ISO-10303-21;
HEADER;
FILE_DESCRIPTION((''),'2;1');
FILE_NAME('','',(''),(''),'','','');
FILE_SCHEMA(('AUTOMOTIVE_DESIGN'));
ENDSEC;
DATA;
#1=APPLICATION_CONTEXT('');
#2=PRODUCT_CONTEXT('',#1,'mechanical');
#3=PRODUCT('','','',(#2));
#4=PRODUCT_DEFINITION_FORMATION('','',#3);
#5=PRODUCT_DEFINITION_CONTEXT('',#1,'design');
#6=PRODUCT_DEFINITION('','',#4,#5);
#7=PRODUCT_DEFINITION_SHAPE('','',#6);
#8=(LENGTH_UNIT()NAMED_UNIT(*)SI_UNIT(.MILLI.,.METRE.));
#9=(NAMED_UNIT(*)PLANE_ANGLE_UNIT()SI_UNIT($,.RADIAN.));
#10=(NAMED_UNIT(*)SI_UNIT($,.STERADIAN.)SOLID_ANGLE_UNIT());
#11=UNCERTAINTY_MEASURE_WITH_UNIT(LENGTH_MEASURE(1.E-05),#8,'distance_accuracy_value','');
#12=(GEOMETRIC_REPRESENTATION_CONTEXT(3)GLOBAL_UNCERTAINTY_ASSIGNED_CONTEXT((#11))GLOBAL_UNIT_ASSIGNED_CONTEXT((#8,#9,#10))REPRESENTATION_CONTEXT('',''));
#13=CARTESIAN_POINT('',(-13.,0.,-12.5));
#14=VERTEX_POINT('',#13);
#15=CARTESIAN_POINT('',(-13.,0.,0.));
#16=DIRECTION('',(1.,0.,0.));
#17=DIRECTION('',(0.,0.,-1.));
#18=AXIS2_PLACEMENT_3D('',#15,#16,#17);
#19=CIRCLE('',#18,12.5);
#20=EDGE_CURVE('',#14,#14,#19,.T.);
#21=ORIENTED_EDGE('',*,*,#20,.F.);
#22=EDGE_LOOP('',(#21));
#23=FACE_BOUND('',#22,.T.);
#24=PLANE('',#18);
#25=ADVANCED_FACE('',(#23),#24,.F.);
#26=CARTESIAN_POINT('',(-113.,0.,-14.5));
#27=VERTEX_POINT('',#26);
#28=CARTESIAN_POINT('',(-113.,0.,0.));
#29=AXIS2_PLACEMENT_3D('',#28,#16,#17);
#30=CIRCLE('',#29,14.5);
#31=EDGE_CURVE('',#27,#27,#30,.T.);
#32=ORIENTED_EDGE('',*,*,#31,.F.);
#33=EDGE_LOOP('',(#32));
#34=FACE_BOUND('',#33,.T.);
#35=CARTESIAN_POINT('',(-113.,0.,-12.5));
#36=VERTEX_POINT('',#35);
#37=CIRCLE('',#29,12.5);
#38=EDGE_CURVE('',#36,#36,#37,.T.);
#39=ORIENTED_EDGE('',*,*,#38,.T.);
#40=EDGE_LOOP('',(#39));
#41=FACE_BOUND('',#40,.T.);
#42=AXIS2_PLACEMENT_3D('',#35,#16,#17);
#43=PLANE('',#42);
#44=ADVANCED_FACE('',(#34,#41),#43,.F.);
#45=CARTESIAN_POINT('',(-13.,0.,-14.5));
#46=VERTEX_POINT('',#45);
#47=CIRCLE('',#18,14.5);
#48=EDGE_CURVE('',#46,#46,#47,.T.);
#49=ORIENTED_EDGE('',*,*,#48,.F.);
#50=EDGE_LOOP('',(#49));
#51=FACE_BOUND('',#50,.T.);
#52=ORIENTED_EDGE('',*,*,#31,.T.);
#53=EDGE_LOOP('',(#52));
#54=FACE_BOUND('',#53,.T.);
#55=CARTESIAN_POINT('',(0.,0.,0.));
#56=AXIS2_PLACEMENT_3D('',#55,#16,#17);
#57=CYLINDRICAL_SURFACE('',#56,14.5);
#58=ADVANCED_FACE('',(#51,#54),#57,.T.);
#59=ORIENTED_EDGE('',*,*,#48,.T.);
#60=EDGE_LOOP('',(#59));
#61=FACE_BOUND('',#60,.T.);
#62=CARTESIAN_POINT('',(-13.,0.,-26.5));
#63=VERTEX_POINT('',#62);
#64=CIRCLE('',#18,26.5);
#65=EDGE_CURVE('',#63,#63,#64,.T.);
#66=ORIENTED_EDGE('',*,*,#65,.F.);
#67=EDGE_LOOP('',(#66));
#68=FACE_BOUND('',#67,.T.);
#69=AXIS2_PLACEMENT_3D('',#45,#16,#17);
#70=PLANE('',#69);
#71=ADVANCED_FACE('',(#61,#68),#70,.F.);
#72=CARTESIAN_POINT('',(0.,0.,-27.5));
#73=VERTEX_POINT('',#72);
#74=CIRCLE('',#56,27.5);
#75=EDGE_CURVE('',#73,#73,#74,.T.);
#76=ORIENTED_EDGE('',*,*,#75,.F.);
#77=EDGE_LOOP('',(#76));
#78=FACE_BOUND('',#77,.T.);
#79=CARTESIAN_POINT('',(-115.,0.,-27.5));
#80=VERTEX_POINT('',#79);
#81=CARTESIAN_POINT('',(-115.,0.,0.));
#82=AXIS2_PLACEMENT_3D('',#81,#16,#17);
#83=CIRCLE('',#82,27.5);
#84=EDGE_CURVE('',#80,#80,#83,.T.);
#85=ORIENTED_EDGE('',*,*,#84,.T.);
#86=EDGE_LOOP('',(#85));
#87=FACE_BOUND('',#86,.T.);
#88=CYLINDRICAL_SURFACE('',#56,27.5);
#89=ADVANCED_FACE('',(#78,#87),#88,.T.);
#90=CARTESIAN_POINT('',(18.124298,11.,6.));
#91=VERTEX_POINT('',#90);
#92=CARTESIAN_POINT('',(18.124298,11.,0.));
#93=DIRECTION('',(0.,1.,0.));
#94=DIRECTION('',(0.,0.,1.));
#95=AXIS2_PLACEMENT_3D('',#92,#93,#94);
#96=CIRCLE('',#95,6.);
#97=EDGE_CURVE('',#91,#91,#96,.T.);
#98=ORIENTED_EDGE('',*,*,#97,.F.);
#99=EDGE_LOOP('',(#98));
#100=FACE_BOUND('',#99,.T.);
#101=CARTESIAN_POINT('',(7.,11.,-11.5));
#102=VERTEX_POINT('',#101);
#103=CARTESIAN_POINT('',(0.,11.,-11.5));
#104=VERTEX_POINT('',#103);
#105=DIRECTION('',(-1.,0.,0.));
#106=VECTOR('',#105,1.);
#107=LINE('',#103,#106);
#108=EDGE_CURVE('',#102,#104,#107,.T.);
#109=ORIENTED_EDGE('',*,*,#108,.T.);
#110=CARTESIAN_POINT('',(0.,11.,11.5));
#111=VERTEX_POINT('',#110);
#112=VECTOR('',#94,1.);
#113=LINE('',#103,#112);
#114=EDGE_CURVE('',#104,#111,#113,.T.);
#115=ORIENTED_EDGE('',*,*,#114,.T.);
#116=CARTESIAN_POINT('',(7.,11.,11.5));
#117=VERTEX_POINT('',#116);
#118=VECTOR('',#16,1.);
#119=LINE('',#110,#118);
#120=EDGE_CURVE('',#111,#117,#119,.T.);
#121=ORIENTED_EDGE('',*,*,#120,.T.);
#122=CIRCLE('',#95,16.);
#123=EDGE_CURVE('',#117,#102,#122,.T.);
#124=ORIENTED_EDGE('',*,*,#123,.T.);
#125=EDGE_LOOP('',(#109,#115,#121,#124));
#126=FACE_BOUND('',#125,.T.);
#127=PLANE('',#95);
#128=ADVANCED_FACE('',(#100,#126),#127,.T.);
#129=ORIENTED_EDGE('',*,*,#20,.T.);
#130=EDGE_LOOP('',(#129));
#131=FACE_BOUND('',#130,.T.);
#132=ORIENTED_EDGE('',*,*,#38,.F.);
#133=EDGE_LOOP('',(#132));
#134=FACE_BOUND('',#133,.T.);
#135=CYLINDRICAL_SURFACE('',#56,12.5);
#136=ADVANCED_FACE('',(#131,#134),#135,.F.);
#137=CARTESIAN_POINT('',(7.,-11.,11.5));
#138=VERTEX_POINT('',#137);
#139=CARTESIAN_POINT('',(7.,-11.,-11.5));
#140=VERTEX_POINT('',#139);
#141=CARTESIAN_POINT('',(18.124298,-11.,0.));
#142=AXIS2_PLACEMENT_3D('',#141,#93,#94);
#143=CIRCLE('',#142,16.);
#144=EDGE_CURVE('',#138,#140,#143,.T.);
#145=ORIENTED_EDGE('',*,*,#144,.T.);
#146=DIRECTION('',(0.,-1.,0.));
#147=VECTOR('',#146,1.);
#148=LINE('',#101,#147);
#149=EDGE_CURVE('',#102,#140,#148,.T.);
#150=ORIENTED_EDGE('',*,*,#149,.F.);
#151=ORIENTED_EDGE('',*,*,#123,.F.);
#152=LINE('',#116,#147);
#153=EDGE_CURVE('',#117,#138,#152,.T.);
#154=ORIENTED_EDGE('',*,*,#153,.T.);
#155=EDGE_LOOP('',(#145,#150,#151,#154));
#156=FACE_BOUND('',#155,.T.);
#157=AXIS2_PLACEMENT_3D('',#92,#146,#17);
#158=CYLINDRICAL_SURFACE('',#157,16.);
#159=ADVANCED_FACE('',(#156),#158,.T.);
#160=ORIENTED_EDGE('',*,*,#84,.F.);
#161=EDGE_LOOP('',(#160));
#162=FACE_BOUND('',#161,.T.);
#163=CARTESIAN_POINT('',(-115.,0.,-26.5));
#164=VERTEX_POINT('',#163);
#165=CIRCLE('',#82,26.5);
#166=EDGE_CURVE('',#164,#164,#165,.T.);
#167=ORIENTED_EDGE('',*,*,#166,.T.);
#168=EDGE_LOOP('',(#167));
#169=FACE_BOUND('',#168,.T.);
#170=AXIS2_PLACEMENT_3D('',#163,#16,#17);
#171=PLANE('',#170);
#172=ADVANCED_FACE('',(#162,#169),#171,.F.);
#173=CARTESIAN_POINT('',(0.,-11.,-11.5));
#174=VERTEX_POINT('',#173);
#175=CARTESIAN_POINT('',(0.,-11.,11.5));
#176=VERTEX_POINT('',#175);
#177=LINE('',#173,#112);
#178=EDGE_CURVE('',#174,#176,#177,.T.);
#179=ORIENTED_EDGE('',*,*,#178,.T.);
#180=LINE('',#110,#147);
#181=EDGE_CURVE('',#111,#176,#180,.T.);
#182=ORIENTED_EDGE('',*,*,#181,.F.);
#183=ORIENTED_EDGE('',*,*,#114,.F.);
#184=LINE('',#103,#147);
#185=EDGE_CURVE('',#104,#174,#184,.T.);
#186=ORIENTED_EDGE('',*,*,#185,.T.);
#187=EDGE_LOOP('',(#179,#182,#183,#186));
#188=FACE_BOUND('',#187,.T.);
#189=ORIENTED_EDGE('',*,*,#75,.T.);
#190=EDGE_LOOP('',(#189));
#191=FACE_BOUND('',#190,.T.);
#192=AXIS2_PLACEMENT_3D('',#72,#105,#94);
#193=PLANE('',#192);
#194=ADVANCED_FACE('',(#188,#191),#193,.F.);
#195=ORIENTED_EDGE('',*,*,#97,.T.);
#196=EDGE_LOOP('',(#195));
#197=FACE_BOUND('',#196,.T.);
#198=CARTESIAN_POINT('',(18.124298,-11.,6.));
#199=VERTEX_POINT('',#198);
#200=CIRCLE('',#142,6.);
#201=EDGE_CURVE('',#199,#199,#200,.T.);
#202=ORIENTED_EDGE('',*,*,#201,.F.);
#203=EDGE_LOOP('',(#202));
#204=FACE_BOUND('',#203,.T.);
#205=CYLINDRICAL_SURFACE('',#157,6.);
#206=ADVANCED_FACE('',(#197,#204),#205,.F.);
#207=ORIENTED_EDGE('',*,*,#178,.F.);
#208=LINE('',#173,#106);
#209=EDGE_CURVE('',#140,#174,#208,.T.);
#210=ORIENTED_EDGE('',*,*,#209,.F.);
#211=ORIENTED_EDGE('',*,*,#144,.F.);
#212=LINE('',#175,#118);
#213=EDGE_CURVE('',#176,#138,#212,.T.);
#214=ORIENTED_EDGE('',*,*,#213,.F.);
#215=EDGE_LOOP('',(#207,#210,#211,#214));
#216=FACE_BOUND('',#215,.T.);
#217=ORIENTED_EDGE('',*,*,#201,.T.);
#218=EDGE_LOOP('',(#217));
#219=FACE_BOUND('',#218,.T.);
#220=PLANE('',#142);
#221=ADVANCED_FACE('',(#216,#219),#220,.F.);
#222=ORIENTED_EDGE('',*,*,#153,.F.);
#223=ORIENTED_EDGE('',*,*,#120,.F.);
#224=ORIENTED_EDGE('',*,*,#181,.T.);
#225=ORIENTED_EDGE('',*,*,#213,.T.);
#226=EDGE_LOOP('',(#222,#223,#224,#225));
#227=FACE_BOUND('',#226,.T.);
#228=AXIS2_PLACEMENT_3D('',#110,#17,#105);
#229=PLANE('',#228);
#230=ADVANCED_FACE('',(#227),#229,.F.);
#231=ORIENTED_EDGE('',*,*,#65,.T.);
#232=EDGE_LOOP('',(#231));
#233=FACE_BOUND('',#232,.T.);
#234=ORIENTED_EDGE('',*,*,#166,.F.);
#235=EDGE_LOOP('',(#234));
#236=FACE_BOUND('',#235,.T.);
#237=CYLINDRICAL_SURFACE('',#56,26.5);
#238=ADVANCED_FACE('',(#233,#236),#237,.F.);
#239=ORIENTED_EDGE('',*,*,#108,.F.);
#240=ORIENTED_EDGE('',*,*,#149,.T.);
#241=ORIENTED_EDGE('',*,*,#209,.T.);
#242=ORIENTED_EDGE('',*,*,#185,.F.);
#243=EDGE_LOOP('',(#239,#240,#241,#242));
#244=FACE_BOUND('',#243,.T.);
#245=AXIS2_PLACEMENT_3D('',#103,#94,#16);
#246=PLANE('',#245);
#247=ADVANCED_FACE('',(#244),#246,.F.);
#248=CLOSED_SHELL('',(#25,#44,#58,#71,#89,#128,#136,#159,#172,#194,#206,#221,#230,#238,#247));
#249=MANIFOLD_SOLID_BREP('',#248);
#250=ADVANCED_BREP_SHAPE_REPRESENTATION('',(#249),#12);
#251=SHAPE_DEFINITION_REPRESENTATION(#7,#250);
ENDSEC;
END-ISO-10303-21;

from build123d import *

# Parameters (mm, degrees)
SKETCH2_R           = 6
BOSS_EXTRUDE1_DEPTH = 11


with BuildPart() as part:
    # Sketch1 → Revolve1 (revolve)
    with BuildSketch(Plane(origin=(0, 0, 0), x_dir=(1, 0, 0), z_dir=(0, 1, 0))):
        Polygon((0, 0), (-13, 0), (-13, 12.5), (-113, 12.5), (-113, 14.5), (-13, 14.5), (-13, 26.5), (-115, 26.5), (-115, 27.5), (0, 27.5), align=None)
    revolve(axis=Axis((0, 0, 0), (-1, 0, 0)))

    # Sketch2 → Boss-Extrude1 (add, symmetric)
    with BuildSketch(Plane(origin=(0, 0, 0), x_dir=(1, 0, 0), z_dir=(0, 1, 0))):
        with BuildLine():
            Line((0, 11.5), (7, 11.5))
            ThreePointArc((7, 11.5), (34.124297731, 0), (7, -11.5))
            Line((7, -11.5), (0, -11.5))
            Line((0, -11.5), (0, 11.5))
        make_face()
        with Locations((18.124297731, 0)):
            Circle(SKETCH2_R, mode=Mode.SUBTRACT)
    extrude(amount=BOSS_EXTRUDE1_DEPTH, both=True)


solid = part.part
